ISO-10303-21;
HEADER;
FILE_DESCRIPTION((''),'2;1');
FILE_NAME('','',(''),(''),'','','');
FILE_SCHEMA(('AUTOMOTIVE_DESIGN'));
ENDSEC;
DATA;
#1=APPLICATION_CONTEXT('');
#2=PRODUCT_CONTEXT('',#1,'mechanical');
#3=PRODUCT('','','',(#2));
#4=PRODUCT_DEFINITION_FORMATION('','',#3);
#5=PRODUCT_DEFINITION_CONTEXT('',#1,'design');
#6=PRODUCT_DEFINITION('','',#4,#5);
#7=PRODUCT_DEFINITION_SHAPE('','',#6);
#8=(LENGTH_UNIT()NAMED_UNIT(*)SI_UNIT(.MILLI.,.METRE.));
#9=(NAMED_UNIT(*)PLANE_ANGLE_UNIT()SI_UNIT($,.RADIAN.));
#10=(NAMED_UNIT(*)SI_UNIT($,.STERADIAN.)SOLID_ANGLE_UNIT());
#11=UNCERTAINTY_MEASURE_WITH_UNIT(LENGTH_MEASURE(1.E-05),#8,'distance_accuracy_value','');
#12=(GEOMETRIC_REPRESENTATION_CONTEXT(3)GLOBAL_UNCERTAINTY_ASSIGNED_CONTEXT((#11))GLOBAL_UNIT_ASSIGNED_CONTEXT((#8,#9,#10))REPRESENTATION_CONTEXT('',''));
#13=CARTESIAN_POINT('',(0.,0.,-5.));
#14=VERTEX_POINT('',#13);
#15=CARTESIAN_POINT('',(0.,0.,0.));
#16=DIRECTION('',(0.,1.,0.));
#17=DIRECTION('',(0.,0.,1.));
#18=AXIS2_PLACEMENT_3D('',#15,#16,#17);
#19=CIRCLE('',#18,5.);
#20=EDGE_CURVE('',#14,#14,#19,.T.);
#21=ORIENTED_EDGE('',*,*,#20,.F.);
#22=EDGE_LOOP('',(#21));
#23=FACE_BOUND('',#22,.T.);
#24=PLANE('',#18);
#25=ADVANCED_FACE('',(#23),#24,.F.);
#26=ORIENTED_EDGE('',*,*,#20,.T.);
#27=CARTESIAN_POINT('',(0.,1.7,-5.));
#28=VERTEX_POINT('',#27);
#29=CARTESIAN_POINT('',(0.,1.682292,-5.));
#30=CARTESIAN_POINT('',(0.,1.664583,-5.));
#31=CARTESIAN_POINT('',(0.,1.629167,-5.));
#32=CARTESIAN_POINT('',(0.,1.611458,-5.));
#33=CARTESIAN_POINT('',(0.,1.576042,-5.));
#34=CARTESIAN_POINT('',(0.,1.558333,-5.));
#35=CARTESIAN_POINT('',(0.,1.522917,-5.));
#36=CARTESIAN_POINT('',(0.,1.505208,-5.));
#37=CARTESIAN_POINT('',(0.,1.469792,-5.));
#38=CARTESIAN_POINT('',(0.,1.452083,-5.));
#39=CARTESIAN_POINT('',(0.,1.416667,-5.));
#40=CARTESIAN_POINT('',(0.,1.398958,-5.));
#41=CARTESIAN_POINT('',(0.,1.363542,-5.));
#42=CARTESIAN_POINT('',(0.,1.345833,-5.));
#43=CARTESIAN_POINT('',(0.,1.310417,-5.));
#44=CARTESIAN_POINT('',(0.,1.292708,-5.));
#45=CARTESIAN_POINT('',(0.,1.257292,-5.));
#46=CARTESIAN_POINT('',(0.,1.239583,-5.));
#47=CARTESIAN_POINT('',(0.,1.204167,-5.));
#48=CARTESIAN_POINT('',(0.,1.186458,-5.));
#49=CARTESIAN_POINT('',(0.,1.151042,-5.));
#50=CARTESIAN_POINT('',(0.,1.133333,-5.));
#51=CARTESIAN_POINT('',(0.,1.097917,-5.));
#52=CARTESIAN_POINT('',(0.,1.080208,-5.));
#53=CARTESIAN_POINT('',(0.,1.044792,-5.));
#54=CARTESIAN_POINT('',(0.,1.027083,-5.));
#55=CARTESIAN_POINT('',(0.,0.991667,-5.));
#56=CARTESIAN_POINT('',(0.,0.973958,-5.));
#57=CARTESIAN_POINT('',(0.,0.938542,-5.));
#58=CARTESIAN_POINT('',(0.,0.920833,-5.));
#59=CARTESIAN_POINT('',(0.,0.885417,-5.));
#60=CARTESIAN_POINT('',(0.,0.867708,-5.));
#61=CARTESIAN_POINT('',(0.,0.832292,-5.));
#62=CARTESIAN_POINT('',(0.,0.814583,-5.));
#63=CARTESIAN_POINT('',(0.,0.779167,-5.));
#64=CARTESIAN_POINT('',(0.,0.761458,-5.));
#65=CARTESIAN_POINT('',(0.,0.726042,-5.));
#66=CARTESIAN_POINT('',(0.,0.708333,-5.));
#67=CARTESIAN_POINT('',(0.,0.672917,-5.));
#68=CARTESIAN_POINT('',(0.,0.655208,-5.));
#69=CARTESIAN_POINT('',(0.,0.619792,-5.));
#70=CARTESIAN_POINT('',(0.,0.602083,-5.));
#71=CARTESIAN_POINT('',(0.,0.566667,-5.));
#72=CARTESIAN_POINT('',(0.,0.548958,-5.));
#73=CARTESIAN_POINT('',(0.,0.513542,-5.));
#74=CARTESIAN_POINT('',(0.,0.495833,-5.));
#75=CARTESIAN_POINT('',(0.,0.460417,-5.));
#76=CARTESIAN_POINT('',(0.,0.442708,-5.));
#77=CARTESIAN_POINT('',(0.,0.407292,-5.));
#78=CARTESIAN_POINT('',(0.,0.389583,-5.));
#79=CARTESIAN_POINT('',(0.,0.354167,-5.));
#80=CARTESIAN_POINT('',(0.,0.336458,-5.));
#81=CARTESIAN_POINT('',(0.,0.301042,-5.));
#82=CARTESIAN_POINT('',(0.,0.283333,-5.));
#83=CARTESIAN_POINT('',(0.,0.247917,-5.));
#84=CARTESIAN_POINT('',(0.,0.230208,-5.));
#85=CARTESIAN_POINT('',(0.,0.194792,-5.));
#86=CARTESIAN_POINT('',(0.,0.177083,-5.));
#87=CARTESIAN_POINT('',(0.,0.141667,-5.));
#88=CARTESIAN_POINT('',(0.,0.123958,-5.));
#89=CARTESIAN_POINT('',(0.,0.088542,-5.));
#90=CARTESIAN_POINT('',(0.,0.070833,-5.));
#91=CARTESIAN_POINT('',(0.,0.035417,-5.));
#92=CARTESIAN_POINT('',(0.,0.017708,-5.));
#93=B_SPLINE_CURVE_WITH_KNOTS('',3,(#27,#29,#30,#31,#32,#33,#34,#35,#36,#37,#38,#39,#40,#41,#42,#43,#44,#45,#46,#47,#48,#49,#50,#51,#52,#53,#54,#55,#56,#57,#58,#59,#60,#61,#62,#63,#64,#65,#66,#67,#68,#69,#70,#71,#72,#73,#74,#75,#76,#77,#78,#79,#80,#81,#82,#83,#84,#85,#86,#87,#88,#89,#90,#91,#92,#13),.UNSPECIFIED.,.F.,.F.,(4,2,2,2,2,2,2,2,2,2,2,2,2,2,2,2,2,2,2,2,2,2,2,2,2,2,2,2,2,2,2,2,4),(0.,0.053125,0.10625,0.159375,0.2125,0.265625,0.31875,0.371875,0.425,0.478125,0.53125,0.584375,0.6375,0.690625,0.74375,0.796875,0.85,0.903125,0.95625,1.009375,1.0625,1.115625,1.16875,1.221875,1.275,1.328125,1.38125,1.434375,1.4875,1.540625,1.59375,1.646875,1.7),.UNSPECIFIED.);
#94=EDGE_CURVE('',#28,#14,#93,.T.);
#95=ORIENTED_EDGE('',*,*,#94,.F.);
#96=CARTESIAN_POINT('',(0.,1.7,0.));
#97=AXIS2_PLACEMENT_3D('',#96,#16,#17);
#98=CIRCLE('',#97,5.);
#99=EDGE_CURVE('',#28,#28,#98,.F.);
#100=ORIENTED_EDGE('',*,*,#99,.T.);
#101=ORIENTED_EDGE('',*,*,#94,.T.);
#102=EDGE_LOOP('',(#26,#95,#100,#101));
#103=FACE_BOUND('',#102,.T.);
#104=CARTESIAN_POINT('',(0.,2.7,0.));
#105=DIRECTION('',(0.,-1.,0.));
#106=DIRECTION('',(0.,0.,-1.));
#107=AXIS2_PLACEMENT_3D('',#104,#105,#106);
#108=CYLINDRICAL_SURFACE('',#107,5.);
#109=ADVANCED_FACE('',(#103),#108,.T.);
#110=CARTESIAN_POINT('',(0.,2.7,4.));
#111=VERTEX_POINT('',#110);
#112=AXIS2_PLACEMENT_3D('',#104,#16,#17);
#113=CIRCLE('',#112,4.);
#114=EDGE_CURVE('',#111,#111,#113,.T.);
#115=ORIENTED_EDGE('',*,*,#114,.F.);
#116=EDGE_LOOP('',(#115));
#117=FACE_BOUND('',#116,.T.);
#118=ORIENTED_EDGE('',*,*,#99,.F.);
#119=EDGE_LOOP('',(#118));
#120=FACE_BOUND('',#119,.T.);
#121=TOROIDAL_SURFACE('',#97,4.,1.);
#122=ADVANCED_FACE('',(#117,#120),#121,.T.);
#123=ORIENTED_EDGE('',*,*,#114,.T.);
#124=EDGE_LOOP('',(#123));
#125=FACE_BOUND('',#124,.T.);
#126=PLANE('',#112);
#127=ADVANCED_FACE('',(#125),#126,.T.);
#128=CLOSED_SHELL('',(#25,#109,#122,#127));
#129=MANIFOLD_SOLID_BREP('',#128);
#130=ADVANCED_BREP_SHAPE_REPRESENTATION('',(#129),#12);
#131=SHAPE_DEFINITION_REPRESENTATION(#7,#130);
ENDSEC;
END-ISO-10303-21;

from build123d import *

# Parameters (mm, degrees)
ESQUISSE2_R        = 5
BOSS_EXTRU_1_DEPTH = 2.7
CONG_1_R           = 1


with BuildPart() as part:
    # Esquisse2 → Boss.-Extru.1 (new body)
    with BuildSketch(Plane(origin=(0, 0, 0), x_dir=(1, 0, 0), z_dir=(0, 1, 0))):
        with Locations(Location((0, 0, 0), (0, 0, 90))):
            Circle(ESQUISSE2_R)
    extrude(amount=BOSS_EXTRU_1_DEPTH)

    # Congé1
    cong_1_edges = [part.edges().sort_by_distance(p)[0] for p in [
        (0, 2.7, 5),
    ]]
    fillet(cong_1_edges, radius=CONG_1_R)


solid = part.part
